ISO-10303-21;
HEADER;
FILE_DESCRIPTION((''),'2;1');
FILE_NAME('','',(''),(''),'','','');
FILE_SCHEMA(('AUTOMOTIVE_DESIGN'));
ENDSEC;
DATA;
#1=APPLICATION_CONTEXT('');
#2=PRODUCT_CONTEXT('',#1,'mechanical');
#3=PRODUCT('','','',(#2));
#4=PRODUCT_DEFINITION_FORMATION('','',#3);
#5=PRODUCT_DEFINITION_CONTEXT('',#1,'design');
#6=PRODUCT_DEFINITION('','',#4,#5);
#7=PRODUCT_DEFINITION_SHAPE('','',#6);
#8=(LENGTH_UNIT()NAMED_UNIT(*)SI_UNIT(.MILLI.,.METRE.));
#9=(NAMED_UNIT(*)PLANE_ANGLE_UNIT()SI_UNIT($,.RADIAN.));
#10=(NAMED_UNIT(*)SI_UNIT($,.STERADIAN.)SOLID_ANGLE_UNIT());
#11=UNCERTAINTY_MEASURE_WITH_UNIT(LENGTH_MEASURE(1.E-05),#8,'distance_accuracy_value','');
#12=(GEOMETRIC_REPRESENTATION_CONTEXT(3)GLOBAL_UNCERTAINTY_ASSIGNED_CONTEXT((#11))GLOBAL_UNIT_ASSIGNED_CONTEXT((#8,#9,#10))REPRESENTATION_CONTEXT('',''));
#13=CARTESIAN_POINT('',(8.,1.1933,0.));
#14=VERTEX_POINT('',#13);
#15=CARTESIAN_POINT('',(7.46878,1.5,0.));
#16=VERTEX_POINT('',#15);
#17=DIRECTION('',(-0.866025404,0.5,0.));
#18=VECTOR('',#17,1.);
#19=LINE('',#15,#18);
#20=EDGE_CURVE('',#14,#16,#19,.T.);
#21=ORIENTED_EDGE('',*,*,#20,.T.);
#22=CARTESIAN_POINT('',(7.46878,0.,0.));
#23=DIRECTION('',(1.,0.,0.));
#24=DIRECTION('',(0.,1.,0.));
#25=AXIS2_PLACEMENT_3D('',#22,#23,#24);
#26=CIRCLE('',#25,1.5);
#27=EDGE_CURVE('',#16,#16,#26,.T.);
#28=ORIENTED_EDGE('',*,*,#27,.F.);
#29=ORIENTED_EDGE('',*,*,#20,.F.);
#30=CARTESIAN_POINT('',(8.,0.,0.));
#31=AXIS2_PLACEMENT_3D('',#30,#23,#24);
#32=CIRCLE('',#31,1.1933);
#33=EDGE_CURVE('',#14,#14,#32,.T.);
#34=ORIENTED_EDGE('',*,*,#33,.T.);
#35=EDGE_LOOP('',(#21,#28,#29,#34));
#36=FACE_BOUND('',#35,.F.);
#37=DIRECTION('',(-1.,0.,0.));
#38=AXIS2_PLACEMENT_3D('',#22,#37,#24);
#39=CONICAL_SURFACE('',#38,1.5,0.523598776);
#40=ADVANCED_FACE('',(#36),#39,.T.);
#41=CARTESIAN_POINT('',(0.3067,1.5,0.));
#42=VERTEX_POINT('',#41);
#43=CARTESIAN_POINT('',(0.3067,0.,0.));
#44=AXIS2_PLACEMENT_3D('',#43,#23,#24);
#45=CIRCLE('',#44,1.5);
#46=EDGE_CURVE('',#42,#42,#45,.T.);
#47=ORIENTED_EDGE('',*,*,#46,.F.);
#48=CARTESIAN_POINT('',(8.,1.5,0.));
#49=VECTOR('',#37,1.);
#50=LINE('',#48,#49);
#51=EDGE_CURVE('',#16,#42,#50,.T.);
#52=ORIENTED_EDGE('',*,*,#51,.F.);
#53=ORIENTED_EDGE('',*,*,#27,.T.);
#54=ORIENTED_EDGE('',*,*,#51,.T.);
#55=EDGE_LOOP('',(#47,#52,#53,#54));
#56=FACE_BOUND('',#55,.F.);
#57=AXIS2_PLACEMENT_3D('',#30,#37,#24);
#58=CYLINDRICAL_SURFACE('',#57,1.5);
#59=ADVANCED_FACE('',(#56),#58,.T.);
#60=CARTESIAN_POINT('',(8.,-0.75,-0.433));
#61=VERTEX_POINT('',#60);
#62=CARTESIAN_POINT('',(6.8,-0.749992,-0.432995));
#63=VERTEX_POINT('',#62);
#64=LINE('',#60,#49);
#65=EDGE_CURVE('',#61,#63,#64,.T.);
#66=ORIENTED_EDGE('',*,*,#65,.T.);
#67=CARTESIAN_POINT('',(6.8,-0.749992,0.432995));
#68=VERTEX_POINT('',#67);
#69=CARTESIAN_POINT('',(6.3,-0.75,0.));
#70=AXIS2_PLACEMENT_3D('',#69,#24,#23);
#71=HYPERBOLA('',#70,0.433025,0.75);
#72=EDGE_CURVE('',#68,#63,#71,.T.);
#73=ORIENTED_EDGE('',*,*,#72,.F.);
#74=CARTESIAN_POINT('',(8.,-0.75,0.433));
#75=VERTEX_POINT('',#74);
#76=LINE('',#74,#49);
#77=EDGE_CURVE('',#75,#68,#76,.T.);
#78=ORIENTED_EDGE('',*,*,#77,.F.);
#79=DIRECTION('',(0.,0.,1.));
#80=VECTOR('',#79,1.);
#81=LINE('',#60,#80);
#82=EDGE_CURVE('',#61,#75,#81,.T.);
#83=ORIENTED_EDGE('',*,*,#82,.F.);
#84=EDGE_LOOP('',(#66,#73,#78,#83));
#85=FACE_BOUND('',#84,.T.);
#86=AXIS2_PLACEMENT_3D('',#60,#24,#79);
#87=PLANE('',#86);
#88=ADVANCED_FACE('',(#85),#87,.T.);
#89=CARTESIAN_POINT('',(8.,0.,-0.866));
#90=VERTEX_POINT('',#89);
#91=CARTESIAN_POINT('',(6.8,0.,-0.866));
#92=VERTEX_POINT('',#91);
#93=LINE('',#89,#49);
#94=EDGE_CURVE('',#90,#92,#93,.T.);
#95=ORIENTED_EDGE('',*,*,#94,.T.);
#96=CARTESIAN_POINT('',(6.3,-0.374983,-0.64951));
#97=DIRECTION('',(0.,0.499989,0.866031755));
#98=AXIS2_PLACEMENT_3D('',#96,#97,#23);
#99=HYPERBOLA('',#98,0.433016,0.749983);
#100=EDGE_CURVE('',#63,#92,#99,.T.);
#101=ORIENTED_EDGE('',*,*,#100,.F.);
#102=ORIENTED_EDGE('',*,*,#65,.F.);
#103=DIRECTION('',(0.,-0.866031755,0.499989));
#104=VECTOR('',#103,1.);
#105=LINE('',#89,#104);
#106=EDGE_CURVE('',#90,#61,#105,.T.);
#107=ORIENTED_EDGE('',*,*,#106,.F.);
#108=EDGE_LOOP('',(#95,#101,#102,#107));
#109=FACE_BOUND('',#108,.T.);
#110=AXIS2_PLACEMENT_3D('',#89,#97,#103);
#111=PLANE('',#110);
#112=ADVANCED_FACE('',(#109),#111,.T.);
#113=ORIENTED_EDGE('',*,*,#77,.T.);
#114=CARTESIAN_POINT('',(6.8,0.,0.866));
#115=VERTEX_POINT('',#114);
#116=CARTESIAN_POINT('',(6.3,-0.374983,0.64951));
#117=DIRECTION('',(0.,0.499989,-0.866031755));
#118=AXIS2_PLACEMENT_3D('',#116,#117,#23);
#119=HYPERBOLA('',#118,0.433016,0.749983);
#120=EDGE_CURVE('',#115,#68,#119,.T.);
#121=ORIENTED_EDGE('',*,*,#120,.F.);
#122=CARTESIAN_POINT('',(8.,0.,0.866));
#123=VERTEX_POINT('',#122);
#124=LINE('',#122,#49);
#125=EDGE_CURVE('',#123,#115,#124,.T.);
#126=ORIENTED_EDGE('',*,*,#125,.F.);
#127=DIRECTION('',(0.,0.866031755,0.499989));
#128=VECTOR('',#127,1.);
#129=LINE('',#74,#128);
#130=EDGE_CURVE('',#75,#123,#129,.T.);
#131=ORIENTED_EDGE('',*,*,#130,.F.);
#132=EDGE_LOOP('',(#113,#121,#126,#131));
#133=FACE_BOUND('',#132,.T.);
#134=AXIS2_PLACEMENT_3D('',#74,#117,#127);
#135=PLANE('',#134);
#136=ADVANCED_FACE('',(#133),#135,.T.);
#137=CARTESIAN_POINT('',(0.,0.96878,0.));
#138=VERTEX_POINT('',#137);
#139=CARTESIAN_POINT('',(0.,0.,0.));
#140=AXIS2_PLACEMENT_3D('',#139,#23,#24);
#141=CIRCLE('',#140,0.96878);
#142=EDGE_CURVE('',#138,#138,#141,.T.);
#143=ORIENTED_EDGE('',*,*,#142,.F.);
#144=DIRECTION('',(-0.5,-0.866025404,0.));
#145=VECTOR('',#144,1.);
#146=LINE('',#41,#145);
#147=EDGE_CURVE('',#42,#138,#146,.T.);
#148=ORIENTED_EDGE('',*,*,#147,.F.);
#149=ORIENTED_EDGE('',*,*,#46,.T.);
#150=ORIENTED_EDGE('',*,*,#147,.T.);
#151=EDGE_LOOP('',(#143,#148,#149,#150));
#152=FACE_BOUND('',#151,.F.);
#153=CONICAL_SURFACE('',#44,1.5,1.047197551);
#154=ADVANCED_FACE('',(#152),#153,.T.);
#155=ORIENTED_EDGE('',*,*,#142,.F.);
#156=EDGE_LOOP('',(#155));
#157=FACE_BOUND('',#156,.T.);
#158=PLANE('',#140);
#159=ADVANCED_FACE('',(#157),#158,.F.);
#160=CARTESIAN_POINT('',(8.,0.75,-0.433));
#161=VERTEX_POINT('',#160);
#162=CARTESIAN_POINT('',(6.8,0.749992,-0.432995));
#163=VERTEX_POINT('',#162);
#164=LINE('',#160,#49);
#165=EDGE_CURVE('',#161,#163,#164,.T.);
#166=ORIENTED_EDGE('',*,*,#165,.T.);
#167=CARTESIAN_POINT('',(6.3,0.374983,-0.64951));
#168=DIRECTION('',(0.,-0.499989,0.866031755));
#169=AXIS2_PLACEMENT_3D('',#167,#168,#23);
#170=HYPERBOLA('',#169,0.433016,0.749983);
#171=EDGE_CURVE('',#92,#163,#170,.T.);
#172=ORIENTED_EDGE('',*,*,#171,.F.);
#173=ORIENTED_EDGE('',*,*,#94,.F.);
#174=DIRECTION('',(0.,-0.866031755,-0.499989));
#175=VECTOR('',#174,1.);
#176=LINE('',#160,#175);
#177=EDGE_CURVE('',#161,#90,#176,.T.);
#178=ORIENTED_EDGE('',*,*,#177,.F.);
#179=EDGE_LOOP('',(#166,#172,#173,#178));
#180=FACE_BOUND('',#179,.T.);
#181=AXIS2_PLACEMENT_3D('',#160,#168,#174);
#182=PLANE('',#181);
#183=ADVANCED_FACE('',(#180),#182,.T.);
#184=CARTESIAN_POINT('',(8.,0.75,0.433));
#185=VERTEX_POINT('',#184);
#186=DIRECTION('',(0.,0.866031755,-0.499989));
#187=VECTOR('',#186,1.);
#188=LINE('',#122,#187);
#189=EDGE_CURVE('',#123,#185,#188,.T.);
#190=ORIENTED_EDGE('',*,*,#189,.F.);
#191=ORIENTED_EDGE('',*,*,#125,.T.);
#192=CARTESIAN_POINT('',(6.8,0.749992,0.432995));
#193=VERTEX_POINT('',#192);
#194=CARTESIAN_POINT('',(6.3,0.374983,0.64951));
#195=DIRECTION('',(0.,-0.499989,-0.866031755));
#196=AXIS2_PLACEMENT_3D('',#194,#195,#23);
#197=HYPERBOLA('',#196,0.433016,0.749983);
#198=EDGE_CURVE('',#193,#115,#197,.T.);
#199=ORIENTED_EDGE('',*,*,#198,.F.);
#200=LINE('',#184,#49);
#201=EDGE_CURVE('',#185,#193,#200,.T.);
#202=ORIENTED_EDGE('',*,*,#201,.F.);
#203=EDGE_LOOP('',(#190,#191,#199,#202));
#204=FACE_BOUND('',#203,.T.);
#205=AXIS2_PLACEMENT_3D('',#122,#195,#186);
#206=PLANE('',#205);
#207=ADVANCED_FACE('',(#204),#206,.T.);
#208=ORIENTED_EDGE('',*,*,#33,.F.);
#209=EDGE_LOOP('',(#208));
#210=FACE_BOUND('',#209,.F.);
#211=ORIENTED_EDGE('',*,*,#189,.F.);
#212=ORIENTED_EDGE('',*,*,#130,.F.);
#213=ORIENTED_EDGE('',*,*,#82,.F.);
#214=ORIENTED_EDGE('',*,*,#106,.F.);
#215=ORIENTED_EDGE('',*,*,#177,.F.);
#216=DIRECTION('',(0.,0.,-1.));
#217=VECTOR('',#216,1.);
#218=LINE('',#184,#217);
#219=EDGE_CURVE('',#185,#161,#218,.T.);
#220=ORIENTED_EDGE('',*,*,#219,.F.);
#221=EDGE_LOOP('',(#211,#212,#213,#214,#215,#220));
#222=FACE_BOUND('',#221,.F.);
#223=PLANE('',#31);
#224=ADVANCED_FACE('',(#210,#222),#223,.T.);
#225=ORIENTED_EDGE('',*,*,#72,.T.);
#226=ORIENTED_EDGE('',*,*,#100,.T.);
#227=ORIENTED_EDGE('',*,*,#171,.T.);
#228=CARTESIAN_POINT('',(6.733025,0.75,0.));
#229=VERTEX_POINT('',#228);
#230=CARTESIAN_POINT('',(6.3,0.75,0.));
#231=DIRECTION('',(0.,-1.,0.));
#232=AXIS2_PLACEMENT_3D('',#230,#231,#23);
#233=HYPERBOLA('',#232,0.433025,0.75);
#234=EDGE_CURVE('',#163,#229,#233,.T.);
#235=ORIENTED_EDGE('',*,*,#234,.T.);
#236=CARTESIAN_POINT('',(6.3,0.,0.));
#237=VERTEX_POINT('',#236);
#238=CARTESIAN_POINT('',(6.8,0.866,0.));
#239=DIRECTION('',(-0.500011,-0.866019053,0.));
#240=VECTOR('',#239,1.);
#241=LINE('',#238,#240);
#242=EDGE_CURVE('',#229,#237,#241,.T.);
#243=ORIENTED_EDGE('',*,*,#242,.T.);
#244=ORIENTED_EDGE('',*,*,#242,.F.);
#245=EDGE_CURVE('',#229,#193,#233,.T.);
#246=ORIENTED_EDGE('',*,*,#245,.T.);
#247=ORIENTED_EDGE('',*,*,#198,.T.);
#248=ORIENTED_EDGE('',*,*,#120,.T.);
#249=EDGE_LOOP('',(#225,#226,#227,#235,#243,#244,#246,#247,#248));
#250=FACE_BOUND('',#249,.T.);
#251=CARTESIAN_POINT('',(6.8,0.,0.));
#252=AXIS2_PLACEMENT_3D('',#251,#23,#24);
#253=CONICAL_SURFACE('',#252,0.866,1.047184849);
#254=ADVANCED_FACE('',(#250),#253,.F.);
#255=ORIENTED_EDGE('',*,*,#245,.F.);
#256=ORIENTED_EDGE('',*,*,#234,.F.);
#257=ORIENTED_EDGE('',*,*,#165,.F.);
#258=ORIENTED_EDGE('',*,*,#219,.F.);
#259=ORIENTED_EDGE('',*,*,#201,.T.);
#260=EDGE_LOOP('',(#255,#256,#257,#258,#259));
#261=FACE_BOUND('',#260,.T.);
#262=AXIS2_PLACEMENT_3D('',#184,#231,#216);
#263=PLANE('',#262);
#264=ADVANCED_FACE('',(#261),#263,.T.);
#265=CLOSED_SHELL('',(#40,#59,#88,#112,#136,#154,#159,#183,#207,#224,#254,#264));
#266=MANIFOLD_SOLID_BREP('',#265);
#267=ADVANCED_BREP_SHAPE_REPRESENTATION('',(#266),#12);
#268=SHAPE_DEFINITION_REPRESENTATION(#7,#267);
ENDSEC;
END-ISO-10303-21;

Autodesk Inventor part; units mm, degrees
ref_plane "YZ Plane" through (0, 0, 0) normal (1, 0, 0) x (0, 1, 0)
ref_plane "XZ Plane" through (0, 0, 0) normal (0, 1, 0) x (-1, 0, 0)
sketch "Sketch1" plane through (0, 0, 0) normal (0, 0, 1) x (1, 0, 0)
  line L0 (0, 0) -> (6.3, 0)
  line L1 (8, 0.866) -> (8, 1.5)
  line L2 (8, 1.5) -> (0, 1.5)
  line L3 (8, 0.866) -> (6.8, 0.866)
  line L4 (6.8, 0.866) -> (6.3, 0)
  line L5 (0, -0.3) -> (0, 1.8) projected
  line L6 (0, 1.5) -> (0, 0)
  dimension "d0" = 1.2
  dimension "d1" = 60
  dimension "d2" = 3
  dimension "d3" = 1.7321
  dimension "d5" = 8
revolve "Body" add sketch "Sketch1" angle 360 about axis through (0, 0, 0) along (1, 0, 0)
chamfer "Chamfer1" distance 0.3067 angle 60 1 edges at (8, -1.5, 0) measured on face at (8, 1.2658, -0.1887)
sketch "Sketch2" plane through (8, 0, 0) normal (1, 0, 0) x (0, 0, -1)
  circle A0 centre (0, 0) radius 0.866 projected
  line L0 (-0.433, 0.75) -> (0.433, 0.75)
  line L1 (0.433, 0.75) -> (0.866, 0)
  line L2 (0.866, 0) -> (0.433, -0.75)
  line L3 (0.433, -0.75) -> (-0.433, -0.75)
  line L4 (-0.433, -0.75) -> (-0.866, 0)
  line L5 (-0.866, 0) -> (-0.433, 0.75)
extrude "Slot" add sketch "Sketch2" against normal up to next contours L1 A0 | A0 L2 | L0 A0 | A0 L3 | L5 A0 | A0 L4
thread "Thread" size "M3x0.5" class "6g" standard "ISO Metric profile" length 12
chamfer "Chamfer2" distance 0.3067 angle 60 1 edges at (0, -1.5, 0) measured on face at (2.4896, 1.4806, -0.2406)
ref_plane "Work Plane1" through (4, 0, 0) normal (0, 0.5, 0.866) x (1, 0, 0)
equation "\"d0\" = INTI"
equation "\"d2\" = NND"
equation "\"d3\" = 1.1547 * SW"
equation "\"d7\" = -0.5 * GD1 + 0.5 * NND"
equation "\"d8\" = FAWI"
equation "\"d29\" = -0.5 * GD1 + 0.5 * NND"
equation "\"d13\" = -0.5 * GD1 + 0.5 * NND"
equation "\"d14\" = FAWI"
equation "\"d30\" = -0.5 * GD1 + 0.5 * NND"
equation "\"NND\" = 3"
equation "\"NLG\" = 3"
equation "\"INTI\" = 1.2"
equation "\"FAWI\" = 60deg"
equation "\"SW\" = 1.5"
equation "\"GD1\" = THREADDIA - 1.2269 * PTC"
equation "\"FAWI1\" = 45deg"
equation "\"GUL\" = 0.61345 * PTC"
equation "\"SPD\" = 2"
equation "\"SEWI\" = 120deg"
equation "\"TOA\" = 30deg"
equation "\"THREADDIA\" = 3"
equation "\"PTC\" = 0.5"
equation "\"GAL\" = 0.61345 * PTC"
equation "\"E0\" = 1.155 * SW"
properties part number "Grub Screw 3x8mm" material "Stainless Steel, 440C"
